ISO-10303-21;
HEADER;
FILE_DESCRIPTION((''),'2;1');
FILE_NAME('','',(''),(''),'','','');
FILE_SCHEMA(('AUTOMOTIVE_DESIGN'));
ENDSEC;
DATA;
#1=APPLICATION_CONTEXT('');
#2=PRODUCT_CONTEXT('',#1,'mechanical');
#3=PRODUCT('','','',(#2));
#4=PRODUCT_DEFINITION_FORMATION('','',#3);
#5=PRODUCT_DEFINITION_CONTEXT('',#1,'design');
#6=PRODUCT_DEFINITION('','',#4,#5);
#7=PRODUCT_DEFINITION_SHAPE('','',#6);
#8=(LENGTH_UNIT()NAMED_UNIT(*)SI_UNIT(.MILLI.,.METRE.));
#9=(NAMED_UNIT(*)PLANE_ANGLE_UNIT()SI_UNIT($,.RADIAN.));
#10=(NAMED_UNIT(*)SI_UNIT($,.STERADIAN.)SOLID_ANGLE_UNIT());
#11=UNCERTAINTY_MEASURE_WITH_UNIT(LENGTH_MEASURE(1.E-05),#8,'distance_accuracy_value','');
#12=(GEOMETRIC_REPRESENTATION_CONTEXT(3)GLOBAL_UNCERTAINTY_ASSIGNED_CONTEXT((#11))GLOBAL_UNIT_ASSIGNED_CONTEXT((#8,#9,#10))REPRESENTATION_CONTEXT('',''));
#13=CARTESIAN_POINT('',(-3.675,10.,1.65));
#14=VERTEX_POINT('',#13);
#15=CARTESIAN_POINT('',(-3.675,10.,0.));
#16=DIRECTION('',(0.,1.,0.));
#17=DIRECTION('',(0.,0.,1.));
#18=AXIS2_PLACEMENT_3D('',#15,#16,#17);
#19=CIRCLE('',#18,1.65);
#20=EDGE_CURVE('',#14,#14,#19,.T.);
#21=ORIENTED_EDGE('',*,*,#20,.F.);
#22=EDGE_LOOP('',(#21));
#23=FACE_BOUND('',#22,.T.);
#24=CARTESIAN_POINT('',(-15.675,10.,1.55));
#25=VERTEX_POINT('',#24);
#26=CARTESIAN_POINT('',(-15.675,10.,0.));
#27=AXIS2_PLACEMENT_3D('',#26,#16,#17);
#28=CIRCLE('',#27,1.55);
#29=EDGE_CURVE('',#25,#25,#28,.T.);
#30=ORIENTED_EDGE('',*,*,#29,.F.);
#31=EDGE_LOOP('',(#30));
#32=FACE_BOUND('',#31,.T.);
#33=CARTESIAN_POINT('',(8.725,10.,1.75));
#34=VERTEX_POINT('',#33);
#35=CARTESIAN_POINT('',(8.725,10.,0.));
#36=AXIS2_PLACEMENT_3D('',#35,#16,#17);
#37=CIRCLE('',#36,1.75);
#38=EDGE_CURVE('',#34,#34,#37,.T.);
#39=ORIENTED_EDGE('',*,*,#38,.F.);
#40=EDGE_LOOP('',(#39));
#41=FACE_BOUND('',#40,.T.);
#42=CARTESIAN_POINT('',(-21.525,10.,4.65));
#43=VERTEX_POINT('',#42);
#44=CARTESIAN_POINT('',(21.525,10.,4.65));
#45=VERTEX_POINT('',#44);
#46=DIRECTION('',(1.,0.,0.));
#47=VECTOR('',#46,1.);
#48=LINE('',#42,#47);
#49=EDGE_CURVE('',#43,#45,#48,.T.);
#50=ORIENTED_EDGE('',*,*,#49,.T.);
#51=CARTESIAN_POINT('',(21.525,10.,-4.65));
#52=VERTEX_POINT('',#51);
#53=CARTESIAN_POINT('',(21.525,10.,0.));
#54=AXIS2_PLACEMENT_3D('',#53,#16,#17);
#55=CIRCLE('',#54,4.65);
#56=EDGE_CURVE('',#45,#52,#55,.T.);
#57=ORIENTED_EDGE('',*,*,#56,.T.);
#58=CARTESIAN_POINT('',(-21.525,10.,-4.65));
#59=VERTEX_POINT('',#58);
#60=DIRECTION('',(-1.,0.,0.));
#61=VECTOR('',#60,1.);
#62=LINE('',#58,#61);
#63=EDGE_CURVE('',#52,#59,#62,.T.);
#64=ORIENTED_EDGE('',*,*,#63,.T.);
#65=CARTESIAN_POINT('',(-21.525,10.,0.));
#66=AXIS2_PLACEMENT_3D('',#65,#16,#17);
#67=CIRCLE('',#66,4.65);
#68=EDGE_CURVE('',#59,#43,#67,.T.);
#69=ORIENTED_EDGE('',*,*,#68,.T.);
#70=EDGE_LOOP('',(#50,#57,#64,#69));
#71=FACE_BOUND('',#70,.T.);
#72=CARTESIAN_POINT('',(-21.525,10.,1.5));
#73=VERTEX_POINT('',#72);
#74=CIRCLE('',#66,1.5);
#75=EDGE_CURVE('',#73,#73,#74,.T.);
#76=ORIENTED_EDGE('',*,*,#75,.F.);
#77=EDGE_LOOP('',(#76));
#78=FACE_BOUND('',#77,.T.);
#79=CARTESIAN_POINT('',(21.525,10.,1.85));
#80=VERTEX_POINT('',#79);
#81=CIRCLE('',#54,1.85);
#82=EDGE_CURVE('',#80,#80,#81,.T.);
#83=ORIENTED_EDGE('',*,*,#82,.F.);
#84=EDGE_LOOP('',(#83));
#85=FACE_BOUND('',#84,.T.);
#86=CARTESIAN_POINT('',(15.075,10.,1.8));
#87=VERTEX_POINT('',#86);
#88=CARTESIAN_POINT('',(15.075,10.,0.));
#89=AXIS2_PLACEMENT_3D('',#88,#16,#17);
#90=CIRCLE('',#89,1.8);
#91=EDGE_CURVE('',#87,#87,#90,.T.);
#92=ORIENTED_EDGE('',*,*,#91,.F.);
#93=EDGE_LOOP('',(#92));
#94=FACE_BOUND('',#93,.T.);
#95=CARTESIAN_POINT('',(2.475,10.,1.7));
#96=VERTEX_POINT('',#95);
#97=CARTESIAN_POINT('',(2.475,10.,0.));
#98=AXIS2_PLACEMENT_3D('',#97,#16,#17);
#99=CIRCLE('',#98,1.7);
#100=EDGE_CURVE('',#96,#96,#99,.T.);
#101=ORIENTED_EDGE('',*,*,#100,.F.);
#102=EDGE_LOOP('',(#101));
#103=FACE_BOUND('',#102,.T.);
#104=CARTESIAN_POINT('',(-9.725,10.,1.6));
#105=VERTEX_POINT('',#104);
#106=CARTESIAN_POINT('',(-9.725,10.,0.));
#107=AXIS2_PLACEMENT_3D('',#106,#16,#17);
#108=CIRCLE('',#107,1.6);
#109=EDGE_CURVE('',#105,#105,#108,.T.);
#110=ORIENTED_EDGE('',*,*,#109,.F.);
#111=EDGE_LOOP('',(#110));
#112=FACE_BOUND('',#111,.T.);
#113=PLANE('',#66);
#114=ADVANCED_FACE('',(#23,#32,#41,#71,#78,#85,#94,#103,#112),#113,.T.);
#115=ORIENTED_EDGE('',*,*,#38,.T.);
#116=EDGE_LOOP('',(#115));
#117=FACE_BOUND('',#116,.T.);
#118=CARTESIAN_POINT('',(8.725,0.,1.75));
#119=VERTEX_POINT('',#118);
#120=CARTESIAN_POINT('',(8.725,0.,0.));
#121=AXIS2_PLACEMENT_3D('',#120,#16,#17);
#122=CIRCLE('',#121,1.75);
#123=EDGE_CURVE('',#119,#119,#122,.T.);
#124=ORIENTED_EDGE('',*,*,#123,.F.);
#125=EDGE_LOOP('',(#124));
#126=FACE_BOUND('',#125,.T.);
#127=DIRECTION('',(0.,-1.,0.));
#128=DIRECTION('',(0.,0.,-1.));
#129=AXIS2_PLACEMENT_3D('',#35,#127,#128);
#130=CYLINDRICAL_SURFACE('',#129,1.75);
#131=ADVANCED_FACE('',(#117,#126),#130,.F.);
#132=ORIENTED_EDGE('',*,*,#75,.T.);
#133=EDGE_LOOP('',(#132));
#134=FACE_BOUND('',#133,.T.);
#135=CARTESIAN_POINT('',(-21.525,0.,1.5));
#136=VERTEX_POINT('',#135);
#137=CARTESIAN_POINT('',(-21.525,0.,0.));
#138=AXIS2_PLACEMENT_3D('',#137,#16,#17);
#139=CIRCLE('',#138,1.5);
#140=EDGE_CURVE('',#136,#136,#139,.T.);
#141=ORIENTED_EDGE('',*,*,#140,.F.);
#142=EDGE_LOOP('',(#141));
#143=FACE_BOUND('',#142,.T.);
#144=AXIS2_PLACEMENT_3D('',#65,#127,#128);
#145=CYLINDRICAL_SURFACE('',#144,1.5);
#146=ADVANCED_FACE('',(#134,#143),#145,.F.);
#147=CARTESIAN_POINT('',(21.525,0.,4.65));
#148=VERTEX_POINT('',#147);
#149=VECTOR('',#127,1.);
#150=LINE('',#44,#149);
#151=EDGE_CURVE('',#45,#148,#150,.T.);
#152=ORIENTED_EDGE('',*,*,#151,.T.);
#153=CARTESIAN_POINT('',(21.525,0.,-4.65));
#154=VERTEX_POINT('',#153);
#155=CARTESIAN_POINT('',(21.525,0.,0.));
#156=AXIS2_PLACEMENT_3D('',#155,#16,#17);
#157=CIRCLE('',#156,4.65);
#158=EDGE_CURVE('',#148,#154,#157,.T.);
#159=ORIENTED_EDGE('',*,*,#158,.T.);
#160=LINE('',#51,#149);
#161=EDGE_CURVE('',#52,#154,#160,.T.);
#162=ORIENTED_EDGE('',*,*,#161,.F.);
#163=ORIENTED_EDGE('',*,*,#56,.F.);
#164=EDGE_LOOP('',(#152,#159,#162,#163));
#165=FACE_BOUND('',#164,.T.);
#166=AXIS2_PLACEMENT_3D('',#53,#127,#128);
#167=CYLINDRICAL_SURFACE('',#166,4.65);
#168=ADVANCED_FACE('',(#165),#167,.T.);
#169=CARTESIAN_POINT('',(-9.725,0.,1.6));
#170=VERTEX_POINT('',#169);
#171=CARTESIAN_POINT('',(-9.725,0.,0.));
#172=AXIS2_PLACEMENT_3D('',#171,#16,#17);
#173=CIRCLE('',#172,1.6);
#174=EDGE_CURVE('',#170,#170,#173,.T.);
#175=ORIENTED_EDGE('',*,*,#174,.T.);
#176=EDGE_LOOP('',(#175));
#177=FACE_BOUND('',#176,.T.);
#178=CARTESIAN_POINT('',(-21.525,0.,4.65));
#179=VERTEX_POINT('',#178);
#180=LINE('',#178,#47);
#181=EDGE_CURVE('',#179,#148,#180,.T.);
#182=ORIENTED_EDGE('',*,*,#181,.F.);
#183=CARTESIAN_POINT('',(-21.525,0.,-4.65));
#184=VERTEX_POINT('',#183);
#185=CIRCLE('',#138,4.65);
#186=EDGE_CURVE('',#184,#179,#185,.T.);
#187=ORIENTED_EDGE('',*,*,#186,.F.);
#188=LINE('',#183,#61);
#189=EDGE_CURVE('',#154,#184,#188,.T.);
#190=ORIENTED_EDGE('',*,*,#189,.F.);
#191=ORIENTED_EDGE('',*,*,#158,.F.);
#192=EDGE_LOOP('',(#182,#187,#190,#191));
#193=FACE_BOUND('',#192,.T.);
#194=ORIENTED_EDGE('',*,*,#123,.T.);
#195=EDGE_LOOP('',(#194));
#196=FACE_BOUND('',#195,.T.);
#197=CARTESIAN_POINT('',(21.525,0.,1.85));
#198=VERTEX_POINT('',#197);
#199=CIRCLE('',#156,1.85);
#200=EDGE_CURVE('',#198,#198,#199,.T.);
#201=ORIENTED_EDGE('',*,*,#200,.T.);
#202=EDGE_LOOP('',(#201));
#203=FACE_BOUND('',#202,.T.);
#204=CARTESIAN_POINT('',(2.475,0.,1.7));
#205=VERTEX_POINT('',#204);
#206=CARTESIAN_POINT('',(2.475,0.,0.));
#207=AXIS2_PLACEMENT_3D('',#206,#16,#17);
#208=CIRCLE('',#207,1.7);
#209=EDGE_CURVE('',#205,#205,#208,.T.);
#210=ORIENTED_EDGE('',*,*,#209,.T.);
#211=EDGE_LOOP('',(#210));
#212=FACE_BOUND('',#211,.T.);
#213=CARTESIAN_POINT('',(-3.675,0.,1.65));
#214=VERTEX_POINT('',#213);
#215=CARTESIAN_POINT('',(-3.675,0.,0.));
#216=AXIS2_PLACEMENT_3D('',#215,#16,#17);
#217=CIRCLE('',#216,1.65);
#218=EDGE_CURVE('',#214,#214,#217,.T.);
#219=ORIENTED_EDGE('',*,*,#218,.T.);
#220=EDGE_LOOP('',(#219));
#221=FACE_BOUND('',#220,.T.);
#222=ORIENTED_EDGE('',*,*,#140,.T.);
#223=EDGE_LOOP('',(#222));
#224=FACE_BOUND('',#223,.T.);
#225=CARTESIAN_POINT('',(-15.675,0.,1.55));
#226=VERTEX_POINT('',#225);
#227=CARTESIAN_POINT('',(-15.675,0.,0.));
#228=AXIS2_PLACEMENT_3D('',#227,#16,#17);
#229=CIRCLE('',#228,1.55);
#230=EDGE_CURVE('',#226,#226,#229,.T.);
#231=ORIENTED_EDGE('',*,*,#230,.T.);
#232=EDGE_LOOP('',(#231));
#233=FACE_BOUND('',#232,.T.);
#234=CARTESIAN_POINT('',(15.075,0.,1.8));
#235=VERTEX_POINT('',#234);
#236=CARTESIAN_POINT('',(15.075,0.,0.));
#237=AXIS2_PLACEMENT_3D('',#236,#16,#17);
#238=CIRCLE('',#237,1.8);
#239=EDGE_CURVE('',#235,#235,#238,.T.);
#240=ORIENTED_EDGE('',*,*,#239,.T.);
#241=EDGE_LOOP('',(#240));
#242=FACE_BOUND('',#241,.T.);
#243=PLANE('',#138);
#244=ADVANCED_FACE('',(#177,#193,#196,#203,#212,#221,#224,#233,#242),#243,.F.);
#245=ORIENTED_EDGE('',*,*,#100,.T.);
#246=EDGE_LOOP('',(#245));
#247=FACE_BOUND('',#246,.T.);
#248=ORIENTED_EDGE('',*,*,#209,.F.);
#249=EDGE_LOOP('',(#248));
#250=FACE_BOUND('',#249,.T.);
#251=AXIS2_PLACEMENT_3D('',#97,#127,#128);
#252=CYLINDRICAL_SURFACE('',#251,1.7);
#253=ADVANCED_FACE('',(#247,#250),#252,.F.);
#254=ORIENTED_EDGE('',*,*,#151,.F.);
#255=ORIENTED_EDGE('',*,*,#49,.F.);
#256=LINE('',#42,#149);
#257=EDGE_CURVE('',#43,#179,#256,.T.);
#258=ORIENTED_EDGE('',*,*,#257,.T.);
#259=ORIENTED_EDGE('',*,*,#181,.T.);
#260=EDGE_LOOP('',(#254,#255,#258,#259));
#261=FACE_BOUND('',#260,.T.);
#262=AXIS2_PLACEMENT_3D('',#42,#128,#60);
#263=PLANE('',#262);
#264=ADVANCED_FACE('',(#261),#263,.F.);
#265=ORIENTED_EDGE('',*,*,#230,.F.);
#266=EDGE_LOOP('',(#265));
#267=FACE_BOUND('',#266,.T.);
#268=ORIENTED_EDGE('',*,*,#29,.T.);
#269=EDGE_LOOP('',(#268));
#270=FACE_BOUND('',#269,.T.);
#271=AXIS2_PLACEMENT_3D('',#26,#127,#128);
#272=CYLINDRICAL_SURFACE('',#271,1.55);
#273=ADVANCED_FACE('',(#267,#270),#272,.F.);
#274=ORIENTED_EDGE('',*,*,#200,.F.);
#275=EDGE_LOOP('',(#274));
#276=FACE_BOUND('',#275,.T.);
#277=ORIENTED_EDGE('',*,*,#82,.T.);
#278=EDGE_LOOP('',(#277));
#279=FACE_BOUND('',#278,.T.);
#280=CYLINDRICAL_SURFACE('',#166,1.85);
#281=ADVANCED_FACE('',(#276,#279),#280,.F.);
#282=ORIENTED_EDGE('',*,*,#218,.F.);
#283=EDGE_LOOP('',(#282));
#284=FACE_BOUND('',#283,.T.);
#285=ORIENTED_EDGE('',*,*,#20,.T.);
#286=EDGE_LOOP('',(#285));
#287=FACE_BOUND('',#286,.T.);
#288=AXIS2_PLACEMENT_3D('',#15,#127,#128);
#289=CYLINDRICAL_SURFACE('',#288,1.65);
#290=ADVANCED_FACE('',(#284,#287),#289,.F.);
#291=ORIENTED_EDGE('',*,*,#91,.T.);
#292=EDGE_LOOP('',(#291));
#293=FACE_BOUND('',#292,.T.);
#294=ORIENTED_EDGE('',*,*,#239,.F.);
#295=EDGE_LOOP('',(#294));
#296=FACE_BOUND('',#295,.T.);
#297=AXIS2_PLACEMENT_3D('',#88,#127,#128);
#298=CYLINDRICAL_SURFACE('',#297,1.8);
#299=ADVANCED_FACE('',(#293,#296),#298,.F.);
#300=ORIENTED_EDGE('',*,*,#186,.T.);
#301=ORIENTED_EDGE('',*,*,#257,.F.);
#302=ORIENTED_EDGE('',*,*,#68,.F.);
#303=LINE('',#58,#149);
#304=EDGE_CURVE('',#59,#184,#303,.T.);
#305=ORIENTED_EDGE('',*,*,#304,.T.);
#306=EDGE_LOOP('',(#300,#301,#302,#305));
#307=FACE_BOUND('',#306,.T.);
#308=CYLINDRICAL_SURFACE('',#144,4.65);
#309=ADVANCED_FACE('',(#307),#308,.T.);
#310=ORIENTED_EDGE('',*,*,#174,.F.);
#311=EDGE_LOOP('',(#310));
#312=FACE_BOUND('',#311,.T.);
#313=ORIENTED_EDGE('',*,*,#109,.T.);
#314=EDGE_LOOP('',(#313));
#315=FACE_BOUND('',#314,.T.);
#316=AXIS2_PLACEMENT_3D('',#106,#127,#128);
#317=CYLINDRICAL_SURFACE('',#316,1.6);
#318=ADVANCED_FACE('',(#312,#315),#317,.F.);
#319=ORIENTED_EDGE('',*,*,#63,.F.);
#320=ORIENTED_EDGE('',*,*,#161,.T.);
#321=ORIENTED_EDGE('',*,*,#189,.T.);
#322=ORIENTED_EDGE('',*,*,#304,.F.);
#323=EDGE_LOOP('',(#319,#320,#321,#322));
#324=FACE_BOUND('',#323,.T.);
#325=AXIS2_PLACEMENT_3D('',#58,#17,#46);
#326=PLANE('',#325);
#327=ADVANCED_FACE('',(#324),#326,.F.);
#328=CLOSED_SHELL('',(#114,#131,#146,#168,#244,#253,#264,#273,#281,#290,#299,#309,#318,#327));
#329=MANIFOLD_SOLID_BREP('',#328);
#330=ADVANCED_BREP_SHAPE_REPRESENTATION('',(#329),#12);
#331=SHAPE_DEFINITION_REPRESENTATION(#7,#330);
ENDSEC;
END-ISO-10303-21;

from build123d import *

# Parameters (mm, degrees)
SKETCH1_R           = 1.5
SKETCH1_R_2         = 1.55
SKETCH1_R_3         = 1.6
SKETCH1_R_4         = 1.65
SKETCH1_R_5         = 1.7
SKETCH1_R_6         = 1.85
SKETCH1_R_7         = 1.75
SKETCH1_R_8         = 1.8
BOSS_EXTRUDE1_DEPTH = 10


with BuildPart() as part:
    # Sketch1 → Boss-Extrude1 (new body)
    with BuildSketch(Plane(origin=(0, 0, 0), x_dir=(1, 0, 0), z_dir=(0, 1, 0))):
        with BuildLine():
            Line((-21.525, 4.65), (21.525, 4.65))
            ThreePointArc((21.525, 4.65), (26.175, 0), (21.525, -4.65))
            Line((21.525, -4.65), (-21.525, -4.65))
            ThreePointArc((-21.525, -4.65), (-26.175, 0), (-21.525, 4.65))
        make_face()
        with Locations(Location((-21.525, 0, 0), (0, 0, 270))):
            Circle(SKETCH1_R, mode=Mode.SUBTRACT)
        with Locations(Location((-15.675, 0, 0), (0, 0, 270))):
            Circle(SKETCH1_R_2, mode=Mode.SUBTRACT)
        with Locations(Location((-9.725, 0, 0), (0, 0, 270))):
            Circle(SKETCH1_R_3, mode=Mode.SUBTRACT)
        with Locations(Location((-3.675, 0, 0), (0, 0, 270))):
            Circle(SKETCH1_R_4, mode=Mode.SUBTRACT)
        with Locations(Location((2.475, 0, 0), (0, 0, 270))):
            Circle(SKETCH1_R_5, mode=Mode.SUBTRACT)
        with Locations(Location((21.525, 0, 0), (0, 0, 270))):
            Circle(SKETCH1_R_6, mode=Mode.SUBTRACT)
        with Locations(Location((8.725, 0, 0), (0, 0, 270))):
            Circle(SKETCH1_R_7, mode=Mode.SUBTRACT)
        with Locations(Location((15.075, 0, 0), (0, 0, 270))):
            Circle(SKETCH1_R_8, mode=Mode.SUBTRACT)
    extrude(amount=BOSS_EXTRUDE1_DEPTH)


solid = part.part
